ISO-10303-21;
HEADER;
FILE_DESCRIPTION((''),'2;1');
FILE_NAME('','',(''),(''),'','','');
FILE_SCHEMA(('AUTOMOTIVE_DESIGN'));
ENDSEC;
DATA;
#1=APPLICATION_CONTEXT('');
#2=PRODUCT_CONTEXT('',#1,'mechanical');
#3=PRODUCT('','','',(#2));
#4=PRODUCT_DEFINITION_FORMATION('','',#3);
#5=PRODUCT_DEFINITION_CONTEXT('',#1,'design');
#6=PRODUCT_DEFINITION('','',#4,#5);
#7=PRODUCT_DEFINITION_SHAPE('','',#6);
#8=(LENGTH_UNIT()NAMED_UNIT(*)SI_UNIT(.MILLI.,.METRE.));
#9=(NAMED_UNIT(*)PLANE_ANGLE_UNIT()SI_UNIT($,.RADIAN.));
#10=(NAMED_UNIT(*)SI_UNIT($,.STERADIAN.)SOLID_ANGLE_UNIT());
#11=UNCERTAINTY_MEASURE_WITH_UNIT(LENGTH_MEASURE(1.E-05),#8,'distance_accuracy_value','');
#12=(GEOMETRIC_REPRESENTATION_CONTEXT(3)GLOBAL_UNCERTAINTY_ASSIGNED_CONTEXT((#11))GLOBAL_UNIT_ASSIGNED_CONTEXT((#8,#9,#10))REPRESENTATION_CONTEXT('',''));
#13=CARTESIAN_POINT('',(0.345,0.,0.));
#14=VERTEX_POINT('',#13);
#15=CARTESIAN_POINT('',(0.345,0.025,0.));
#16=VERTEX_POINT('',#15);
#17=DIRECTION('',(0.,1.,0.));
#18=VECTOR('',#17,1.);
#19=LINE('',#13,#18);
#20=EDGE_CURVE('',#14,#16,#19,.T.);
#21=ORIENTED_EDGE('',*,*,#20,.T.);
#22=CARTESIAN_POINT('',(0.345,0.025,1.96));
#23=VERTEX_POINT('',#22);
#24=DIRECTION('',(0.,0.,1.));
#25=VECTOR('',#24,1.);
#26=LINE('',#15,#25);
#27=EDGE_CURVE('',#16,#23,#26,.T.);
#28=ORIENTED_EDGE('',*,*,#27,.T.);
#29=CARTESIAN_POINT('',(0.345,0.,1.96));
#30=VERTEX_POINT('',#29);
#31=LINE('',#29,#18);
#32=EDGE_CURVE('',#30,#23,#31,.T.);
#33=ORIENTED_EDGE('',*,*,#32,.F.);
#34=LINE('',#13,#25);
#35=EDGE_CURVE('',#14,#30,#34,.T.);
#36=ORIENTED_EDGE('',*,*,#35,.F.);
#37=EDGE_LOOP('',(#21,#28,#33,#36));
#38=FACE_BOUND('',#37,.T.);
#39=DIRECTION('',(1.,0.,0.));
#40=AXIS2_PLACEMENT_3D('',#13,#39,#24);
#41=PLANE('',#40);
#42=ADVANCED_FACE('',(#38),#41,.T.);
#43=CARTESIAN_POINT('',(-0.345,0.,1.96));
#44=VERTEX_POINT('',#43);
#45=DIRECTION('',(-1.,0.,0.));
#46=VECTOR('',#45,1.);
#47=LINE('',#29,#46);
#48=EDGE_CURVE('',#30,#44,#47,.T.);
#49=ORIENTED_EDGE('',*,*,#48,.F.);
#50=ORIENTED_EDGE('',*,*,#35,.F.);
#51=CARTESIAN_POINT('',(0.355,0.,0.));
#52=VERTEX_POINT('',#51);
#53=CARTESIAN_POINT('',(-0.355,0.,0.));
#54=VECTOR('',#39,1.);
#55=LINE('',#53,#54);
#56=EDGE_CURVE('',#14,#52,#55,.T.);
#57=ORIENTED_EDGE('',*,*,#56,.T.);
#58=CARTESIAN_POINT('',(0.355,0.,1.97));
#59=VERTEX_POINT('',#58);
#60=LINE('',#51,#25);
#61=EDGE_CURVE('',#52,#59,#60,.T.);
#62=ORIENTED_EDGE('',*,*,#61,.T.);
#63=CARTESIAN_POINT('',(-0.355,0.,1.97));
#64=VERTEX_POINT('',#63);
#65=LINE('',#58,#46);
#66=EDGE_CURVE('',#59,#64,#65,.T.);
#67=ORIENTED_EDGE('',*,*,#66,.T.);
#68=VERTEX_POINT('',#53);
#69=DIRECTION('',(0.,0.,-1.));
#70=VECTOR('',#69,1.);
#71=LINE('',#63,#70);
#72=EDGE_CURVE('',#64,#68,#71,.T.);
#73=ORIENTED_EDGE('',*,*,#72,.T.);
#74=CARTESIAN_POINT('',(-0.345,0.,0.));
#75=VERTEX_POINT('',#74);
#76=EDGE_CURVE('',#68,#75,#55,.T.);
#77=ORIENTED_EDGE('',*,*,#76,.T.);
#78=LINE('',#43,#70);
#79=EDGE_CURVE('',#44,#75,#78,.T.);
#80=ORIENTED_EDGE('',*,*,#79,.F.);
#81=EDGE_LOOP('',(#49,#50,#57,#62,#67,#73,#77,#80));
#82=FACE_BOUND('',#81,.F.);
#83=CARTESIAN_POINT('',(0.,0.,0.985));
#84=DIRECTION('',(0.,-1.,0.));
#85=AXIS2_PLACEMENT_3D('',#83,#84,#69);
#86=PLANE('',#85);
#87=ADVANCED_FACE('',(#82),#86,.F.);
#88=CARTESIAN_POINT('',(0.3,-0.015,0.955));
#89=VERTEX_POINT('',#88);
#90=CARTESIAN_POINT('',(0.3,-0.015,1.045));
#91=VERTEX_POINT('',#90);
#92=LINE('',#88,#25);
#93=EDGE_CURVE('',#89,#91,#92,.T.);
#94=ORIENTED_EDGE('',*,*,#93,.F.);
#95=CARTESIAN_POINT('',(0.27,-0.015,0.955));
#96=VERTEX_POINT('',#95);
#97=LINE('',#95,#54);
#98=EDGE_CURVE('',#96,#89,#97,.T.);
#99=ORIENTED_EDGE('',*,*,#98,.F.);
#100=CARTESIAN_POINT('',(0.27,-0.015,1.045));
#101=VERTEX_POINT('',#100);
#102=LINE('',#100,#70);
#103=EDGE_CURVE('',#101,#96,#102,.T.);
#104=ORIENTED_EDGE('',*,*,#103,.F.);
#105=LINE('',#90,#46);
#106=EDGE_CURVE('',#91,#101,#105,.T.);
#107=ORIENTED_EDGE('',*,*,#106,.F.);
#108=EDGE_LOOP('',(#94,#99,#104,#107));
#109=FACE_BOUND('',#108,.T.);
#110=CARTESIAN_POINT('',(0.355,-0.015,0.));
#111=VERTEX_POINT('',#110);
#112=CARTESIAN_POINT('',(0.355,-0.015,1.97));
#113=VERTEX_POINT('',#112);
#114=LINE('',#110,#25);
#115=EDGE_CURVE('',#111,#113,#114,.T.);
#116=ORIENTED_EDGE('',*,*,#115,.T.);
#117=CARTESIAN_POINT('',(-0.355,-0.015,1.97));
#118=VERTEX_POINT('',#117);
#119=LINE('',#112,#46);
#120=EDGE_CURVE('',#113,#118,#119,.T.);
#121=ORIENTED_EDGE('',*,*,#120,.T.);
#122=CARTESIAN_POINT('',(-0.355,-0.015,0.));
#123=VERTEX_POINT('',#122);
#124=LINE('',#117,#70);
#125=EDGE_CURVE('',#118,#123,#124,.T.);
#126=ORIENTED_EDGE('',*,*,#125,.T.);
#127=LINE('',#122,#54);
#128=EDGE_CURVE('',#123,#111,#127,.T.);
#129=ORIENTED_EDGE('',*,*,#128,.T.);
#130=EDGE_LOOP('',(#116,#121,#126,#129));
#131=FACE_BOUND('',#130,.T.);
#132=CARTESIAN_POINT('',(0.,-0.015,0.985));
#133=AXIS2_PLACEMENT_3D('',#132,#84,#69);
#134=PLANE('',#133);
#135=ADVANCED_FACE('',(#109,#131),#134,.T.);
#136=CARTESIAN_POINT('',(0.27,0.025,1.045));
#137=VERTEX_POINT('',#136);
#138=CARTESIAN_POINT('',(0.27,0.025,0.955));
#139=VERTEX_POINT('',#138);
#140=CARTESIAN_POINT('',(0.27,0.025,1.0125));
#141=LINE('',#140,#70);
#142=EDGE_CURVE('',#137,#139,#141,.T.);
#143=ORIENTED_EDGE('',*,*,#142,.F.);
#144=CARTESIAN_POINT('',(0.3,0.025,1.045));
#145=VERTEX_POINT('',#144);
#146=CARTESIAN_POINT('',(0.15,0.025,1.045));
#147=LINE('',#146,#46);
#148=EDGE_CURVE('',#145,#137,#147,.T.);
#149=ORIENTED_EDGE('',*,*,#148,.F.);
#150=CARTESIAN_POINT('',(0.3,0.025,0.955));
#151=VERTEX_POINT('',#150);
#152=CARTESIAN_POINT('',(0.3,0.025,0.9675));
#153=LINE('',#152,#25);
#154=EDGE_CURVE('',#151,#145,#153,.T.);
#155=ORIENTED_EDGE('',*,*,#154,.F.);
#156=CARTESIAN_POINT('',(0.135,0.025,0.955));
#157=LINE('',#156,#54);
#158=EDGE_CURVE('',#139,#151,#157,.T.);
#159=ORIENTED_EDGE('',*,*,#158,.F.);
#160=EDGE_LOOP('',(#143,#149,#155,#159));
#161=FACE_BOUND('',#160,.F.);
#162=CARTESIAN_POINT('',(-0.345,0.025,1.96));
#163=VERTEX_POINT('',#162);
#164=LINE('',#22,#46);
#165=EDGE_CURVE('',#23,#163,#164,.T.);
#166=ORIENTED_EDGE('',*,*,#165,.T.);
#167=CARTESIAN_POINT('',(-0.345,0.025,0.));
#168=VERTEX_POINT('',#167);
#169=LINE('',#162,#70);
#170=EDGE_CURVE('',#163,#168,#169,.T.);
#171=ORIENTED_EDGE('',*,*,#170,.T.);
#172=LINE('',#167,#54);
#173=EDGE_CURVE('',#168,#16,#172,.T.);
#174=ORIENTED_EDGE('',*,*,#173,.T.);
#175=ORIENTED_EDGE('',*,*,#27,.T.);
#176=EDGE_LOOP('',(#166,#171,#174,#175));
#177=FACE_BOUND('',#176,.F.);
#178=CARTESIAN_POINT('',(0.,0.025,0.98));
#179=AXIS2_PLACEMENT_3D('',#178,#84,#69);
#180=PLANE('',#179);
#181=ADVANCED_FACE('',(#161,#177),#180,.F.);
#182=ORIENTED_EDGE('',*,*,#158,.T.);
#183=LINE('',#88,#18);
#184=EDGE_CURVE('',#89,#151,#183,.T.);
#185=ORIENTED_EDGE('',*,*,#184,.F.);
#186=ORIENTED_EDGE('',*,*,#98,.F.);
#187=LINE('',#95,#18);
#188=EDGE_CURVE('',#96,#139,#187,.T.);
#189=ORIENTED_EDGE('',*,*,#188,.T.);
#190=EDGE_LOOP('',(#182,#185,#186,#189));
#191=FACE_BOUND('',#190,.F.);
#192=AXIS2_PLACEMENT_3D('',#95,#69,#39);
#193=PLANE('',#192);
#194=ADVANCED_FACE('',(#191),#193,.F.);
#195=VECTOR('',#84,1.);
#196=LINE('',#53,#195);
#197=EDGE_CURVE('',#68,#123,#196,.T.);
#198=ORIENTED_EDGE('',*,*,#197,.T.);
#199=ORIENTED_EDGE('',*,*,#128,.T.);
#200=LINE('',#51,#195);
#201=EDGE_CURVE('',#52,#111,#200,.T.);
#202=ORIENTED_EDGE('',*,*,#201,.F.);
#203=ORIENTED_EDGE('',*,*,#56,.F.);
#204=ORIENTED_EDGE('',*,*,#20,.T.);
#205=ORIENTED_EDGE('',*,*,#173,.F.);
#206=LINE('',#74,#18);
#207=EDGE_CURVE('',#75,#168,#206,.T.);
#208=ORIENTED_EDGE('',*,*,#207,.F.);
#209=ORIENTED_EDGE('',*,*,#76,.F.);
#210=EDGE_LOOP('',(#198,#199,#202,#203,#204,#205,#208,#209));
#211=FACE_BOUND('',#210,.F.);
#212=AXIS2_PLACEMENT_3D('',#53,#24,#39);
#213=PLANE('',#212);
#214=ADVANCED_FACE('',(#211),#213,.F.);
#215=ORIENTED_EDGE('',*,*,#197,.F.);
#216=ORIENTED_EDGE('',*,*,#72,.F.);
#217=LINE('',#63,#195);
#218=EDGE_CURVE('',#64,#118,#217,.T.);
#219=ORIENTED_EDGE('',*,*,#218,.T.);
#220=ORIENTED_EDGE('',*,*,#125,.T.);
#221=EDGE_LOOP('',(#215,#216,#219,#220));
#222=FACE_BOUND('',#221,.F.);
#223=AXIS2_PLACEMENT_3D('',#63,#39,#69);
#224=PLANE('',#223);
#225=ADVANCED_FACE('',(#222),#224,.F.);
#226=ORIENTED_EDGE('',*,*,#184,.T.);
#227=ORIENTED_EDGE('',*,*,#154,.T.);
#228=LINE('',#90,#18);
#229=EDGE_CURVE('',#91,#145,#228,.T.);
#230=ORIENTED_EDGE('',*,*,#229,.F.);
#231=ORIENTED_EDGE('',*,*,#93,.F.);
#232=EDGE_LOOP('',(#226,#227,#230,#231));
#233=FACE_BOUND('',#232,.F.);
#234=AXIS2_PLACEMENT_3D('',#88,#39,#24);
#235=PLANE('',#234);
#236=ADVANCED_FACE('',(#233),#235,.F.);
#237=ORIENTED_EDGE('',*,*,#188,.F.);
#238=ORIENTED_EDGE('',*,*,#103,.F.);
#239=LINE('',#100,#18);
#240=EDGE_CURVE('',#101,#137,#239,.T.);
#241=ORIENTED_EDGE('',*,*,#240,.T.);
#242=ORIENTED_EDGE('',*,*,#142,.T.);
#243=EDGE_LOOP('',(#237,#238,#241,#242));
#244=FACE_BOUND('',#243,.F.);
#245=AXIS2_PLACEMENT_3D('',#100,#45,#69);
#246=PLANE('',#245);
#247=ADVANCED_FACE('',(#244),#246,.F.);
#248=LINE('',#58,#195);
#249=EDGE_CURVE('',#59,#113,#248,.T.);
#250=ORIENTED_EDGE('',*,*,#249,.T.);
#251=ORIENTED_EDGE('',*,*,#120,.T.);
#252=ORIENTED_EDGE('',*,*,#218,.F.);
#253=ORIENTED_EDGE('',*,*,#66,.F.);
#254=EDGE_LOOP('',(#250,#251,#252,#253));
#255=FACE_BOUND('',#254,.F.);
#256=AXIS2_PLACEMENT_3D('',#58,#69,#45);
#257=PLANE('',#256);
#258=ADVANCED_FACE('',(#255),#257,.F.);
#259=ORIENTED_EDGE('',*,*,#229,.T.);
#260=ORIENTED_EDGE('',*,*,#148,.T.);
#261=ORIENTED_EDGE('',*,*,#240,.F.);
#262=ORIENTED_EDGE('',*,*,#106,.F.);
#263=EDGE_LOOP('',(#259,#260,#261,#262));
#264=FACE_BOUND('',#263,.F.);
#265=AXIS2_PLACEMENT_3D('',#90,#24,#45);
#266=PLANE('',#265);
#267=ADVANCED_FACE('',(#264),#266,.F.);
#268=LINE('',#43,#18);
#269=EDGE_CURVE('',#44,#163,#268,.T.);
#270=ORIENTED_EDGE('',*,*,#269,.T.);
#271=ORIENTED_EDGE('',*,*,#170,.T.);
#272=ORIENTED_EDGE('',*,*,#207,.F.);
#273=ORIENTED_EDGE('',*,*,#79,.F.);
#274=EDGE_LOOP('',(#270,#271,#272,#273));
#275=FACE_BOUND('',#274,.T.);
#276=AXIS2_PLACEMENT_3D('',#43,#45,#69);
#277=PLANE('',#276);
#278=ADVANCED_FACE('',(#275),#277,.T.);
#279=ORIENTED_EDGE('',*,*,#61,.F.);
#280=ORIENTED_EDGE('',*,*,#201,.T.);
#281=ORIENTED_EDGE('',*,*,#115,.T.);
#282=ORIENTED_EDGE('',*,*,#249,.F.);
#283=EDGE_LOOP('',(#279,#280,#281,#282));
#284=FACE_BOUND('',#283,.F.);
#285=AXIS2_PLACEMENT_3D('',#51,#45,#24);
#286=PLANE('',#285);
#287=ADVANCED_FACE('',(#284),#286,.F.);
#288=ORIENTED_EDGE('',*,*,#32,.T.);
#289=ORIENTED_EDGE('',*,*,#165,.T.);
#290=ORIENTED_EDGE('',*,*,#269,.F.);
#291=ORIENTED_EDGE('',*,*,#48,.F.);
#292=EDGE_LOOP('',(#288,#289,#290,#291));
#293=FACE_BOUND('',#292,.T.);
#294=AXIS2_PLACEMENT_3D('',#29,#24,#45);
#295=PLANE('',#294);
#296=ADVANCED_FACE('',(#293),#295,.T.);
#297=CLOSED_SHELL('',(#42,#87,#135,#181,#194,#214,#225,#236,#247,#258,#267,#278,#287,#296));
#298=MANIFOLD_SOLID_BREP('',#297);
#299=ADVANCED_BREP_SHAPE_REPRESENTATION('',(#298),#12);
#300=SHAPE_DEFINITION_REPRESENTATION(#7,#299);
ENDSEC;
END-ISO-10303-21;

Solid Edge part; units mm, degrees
sketch "Sketch1" plane through (0, 0, 0) normal (0, -1, 0) x (1, 0, 0)
  line L0 (-0.345, 0) -> (0.345, 0)
  line L1 (0.345, 0) -> (0.345, 1.96)
  line L2 (0.345, 1.96) -> (-0.345, 1.96)
  line L3 (-0.345, 1.96) -> (-0.345, 0)
  dimension "D1" = 1.96
  dimension "D2" = 0.69
extrude "Protrusion1" add sketch "Sketch1" against normal blind 0.025
sketch "Sketch2" plane through (0, 0, 0.98) normal (0, -1, 0) x (1, 0, 0)
  line L0 (-0.355, -0.98) -> (0.355, -0.98)
  line L1 (0.355, -0.98) -> (0.355, 0.99)
  line L2 (0.355, 0.99) -> (-0.355, 0.99)
  line L3 (-0.355, 0.99) -> (-0.355, -0.98)
extrude "Ausprägung_2" add sketch "Sketch2" along normal blind 0.015
extrude "Ausschnitt_1" [suppressed]
extrude "Cutout1" [suppressed]
extrude "Ausprägung_3" [suppressed]
sketch "Sketch3" plane through (0, -0.015, 0.985) normal (0, -1, 0) x (1, 0, 0)
  line L0 (0.27, -0.03) -> (0.3, -0.03)
  line L1 (0.3, -0.03) -> (0.3, 0.06)
  line L2 (0.3, 0.06) -> (0.27, 0.06)
  line L3 (0.27, 0.06) -> (0.27, -0.03)
  dimension "D1" = 0.03
  dimension "D2" = 0.09
  dimension "D3" = 0.07
  dimension "D4" = 1
extrude "Cutout2" cut sketch "Sketch3" against normal through all
